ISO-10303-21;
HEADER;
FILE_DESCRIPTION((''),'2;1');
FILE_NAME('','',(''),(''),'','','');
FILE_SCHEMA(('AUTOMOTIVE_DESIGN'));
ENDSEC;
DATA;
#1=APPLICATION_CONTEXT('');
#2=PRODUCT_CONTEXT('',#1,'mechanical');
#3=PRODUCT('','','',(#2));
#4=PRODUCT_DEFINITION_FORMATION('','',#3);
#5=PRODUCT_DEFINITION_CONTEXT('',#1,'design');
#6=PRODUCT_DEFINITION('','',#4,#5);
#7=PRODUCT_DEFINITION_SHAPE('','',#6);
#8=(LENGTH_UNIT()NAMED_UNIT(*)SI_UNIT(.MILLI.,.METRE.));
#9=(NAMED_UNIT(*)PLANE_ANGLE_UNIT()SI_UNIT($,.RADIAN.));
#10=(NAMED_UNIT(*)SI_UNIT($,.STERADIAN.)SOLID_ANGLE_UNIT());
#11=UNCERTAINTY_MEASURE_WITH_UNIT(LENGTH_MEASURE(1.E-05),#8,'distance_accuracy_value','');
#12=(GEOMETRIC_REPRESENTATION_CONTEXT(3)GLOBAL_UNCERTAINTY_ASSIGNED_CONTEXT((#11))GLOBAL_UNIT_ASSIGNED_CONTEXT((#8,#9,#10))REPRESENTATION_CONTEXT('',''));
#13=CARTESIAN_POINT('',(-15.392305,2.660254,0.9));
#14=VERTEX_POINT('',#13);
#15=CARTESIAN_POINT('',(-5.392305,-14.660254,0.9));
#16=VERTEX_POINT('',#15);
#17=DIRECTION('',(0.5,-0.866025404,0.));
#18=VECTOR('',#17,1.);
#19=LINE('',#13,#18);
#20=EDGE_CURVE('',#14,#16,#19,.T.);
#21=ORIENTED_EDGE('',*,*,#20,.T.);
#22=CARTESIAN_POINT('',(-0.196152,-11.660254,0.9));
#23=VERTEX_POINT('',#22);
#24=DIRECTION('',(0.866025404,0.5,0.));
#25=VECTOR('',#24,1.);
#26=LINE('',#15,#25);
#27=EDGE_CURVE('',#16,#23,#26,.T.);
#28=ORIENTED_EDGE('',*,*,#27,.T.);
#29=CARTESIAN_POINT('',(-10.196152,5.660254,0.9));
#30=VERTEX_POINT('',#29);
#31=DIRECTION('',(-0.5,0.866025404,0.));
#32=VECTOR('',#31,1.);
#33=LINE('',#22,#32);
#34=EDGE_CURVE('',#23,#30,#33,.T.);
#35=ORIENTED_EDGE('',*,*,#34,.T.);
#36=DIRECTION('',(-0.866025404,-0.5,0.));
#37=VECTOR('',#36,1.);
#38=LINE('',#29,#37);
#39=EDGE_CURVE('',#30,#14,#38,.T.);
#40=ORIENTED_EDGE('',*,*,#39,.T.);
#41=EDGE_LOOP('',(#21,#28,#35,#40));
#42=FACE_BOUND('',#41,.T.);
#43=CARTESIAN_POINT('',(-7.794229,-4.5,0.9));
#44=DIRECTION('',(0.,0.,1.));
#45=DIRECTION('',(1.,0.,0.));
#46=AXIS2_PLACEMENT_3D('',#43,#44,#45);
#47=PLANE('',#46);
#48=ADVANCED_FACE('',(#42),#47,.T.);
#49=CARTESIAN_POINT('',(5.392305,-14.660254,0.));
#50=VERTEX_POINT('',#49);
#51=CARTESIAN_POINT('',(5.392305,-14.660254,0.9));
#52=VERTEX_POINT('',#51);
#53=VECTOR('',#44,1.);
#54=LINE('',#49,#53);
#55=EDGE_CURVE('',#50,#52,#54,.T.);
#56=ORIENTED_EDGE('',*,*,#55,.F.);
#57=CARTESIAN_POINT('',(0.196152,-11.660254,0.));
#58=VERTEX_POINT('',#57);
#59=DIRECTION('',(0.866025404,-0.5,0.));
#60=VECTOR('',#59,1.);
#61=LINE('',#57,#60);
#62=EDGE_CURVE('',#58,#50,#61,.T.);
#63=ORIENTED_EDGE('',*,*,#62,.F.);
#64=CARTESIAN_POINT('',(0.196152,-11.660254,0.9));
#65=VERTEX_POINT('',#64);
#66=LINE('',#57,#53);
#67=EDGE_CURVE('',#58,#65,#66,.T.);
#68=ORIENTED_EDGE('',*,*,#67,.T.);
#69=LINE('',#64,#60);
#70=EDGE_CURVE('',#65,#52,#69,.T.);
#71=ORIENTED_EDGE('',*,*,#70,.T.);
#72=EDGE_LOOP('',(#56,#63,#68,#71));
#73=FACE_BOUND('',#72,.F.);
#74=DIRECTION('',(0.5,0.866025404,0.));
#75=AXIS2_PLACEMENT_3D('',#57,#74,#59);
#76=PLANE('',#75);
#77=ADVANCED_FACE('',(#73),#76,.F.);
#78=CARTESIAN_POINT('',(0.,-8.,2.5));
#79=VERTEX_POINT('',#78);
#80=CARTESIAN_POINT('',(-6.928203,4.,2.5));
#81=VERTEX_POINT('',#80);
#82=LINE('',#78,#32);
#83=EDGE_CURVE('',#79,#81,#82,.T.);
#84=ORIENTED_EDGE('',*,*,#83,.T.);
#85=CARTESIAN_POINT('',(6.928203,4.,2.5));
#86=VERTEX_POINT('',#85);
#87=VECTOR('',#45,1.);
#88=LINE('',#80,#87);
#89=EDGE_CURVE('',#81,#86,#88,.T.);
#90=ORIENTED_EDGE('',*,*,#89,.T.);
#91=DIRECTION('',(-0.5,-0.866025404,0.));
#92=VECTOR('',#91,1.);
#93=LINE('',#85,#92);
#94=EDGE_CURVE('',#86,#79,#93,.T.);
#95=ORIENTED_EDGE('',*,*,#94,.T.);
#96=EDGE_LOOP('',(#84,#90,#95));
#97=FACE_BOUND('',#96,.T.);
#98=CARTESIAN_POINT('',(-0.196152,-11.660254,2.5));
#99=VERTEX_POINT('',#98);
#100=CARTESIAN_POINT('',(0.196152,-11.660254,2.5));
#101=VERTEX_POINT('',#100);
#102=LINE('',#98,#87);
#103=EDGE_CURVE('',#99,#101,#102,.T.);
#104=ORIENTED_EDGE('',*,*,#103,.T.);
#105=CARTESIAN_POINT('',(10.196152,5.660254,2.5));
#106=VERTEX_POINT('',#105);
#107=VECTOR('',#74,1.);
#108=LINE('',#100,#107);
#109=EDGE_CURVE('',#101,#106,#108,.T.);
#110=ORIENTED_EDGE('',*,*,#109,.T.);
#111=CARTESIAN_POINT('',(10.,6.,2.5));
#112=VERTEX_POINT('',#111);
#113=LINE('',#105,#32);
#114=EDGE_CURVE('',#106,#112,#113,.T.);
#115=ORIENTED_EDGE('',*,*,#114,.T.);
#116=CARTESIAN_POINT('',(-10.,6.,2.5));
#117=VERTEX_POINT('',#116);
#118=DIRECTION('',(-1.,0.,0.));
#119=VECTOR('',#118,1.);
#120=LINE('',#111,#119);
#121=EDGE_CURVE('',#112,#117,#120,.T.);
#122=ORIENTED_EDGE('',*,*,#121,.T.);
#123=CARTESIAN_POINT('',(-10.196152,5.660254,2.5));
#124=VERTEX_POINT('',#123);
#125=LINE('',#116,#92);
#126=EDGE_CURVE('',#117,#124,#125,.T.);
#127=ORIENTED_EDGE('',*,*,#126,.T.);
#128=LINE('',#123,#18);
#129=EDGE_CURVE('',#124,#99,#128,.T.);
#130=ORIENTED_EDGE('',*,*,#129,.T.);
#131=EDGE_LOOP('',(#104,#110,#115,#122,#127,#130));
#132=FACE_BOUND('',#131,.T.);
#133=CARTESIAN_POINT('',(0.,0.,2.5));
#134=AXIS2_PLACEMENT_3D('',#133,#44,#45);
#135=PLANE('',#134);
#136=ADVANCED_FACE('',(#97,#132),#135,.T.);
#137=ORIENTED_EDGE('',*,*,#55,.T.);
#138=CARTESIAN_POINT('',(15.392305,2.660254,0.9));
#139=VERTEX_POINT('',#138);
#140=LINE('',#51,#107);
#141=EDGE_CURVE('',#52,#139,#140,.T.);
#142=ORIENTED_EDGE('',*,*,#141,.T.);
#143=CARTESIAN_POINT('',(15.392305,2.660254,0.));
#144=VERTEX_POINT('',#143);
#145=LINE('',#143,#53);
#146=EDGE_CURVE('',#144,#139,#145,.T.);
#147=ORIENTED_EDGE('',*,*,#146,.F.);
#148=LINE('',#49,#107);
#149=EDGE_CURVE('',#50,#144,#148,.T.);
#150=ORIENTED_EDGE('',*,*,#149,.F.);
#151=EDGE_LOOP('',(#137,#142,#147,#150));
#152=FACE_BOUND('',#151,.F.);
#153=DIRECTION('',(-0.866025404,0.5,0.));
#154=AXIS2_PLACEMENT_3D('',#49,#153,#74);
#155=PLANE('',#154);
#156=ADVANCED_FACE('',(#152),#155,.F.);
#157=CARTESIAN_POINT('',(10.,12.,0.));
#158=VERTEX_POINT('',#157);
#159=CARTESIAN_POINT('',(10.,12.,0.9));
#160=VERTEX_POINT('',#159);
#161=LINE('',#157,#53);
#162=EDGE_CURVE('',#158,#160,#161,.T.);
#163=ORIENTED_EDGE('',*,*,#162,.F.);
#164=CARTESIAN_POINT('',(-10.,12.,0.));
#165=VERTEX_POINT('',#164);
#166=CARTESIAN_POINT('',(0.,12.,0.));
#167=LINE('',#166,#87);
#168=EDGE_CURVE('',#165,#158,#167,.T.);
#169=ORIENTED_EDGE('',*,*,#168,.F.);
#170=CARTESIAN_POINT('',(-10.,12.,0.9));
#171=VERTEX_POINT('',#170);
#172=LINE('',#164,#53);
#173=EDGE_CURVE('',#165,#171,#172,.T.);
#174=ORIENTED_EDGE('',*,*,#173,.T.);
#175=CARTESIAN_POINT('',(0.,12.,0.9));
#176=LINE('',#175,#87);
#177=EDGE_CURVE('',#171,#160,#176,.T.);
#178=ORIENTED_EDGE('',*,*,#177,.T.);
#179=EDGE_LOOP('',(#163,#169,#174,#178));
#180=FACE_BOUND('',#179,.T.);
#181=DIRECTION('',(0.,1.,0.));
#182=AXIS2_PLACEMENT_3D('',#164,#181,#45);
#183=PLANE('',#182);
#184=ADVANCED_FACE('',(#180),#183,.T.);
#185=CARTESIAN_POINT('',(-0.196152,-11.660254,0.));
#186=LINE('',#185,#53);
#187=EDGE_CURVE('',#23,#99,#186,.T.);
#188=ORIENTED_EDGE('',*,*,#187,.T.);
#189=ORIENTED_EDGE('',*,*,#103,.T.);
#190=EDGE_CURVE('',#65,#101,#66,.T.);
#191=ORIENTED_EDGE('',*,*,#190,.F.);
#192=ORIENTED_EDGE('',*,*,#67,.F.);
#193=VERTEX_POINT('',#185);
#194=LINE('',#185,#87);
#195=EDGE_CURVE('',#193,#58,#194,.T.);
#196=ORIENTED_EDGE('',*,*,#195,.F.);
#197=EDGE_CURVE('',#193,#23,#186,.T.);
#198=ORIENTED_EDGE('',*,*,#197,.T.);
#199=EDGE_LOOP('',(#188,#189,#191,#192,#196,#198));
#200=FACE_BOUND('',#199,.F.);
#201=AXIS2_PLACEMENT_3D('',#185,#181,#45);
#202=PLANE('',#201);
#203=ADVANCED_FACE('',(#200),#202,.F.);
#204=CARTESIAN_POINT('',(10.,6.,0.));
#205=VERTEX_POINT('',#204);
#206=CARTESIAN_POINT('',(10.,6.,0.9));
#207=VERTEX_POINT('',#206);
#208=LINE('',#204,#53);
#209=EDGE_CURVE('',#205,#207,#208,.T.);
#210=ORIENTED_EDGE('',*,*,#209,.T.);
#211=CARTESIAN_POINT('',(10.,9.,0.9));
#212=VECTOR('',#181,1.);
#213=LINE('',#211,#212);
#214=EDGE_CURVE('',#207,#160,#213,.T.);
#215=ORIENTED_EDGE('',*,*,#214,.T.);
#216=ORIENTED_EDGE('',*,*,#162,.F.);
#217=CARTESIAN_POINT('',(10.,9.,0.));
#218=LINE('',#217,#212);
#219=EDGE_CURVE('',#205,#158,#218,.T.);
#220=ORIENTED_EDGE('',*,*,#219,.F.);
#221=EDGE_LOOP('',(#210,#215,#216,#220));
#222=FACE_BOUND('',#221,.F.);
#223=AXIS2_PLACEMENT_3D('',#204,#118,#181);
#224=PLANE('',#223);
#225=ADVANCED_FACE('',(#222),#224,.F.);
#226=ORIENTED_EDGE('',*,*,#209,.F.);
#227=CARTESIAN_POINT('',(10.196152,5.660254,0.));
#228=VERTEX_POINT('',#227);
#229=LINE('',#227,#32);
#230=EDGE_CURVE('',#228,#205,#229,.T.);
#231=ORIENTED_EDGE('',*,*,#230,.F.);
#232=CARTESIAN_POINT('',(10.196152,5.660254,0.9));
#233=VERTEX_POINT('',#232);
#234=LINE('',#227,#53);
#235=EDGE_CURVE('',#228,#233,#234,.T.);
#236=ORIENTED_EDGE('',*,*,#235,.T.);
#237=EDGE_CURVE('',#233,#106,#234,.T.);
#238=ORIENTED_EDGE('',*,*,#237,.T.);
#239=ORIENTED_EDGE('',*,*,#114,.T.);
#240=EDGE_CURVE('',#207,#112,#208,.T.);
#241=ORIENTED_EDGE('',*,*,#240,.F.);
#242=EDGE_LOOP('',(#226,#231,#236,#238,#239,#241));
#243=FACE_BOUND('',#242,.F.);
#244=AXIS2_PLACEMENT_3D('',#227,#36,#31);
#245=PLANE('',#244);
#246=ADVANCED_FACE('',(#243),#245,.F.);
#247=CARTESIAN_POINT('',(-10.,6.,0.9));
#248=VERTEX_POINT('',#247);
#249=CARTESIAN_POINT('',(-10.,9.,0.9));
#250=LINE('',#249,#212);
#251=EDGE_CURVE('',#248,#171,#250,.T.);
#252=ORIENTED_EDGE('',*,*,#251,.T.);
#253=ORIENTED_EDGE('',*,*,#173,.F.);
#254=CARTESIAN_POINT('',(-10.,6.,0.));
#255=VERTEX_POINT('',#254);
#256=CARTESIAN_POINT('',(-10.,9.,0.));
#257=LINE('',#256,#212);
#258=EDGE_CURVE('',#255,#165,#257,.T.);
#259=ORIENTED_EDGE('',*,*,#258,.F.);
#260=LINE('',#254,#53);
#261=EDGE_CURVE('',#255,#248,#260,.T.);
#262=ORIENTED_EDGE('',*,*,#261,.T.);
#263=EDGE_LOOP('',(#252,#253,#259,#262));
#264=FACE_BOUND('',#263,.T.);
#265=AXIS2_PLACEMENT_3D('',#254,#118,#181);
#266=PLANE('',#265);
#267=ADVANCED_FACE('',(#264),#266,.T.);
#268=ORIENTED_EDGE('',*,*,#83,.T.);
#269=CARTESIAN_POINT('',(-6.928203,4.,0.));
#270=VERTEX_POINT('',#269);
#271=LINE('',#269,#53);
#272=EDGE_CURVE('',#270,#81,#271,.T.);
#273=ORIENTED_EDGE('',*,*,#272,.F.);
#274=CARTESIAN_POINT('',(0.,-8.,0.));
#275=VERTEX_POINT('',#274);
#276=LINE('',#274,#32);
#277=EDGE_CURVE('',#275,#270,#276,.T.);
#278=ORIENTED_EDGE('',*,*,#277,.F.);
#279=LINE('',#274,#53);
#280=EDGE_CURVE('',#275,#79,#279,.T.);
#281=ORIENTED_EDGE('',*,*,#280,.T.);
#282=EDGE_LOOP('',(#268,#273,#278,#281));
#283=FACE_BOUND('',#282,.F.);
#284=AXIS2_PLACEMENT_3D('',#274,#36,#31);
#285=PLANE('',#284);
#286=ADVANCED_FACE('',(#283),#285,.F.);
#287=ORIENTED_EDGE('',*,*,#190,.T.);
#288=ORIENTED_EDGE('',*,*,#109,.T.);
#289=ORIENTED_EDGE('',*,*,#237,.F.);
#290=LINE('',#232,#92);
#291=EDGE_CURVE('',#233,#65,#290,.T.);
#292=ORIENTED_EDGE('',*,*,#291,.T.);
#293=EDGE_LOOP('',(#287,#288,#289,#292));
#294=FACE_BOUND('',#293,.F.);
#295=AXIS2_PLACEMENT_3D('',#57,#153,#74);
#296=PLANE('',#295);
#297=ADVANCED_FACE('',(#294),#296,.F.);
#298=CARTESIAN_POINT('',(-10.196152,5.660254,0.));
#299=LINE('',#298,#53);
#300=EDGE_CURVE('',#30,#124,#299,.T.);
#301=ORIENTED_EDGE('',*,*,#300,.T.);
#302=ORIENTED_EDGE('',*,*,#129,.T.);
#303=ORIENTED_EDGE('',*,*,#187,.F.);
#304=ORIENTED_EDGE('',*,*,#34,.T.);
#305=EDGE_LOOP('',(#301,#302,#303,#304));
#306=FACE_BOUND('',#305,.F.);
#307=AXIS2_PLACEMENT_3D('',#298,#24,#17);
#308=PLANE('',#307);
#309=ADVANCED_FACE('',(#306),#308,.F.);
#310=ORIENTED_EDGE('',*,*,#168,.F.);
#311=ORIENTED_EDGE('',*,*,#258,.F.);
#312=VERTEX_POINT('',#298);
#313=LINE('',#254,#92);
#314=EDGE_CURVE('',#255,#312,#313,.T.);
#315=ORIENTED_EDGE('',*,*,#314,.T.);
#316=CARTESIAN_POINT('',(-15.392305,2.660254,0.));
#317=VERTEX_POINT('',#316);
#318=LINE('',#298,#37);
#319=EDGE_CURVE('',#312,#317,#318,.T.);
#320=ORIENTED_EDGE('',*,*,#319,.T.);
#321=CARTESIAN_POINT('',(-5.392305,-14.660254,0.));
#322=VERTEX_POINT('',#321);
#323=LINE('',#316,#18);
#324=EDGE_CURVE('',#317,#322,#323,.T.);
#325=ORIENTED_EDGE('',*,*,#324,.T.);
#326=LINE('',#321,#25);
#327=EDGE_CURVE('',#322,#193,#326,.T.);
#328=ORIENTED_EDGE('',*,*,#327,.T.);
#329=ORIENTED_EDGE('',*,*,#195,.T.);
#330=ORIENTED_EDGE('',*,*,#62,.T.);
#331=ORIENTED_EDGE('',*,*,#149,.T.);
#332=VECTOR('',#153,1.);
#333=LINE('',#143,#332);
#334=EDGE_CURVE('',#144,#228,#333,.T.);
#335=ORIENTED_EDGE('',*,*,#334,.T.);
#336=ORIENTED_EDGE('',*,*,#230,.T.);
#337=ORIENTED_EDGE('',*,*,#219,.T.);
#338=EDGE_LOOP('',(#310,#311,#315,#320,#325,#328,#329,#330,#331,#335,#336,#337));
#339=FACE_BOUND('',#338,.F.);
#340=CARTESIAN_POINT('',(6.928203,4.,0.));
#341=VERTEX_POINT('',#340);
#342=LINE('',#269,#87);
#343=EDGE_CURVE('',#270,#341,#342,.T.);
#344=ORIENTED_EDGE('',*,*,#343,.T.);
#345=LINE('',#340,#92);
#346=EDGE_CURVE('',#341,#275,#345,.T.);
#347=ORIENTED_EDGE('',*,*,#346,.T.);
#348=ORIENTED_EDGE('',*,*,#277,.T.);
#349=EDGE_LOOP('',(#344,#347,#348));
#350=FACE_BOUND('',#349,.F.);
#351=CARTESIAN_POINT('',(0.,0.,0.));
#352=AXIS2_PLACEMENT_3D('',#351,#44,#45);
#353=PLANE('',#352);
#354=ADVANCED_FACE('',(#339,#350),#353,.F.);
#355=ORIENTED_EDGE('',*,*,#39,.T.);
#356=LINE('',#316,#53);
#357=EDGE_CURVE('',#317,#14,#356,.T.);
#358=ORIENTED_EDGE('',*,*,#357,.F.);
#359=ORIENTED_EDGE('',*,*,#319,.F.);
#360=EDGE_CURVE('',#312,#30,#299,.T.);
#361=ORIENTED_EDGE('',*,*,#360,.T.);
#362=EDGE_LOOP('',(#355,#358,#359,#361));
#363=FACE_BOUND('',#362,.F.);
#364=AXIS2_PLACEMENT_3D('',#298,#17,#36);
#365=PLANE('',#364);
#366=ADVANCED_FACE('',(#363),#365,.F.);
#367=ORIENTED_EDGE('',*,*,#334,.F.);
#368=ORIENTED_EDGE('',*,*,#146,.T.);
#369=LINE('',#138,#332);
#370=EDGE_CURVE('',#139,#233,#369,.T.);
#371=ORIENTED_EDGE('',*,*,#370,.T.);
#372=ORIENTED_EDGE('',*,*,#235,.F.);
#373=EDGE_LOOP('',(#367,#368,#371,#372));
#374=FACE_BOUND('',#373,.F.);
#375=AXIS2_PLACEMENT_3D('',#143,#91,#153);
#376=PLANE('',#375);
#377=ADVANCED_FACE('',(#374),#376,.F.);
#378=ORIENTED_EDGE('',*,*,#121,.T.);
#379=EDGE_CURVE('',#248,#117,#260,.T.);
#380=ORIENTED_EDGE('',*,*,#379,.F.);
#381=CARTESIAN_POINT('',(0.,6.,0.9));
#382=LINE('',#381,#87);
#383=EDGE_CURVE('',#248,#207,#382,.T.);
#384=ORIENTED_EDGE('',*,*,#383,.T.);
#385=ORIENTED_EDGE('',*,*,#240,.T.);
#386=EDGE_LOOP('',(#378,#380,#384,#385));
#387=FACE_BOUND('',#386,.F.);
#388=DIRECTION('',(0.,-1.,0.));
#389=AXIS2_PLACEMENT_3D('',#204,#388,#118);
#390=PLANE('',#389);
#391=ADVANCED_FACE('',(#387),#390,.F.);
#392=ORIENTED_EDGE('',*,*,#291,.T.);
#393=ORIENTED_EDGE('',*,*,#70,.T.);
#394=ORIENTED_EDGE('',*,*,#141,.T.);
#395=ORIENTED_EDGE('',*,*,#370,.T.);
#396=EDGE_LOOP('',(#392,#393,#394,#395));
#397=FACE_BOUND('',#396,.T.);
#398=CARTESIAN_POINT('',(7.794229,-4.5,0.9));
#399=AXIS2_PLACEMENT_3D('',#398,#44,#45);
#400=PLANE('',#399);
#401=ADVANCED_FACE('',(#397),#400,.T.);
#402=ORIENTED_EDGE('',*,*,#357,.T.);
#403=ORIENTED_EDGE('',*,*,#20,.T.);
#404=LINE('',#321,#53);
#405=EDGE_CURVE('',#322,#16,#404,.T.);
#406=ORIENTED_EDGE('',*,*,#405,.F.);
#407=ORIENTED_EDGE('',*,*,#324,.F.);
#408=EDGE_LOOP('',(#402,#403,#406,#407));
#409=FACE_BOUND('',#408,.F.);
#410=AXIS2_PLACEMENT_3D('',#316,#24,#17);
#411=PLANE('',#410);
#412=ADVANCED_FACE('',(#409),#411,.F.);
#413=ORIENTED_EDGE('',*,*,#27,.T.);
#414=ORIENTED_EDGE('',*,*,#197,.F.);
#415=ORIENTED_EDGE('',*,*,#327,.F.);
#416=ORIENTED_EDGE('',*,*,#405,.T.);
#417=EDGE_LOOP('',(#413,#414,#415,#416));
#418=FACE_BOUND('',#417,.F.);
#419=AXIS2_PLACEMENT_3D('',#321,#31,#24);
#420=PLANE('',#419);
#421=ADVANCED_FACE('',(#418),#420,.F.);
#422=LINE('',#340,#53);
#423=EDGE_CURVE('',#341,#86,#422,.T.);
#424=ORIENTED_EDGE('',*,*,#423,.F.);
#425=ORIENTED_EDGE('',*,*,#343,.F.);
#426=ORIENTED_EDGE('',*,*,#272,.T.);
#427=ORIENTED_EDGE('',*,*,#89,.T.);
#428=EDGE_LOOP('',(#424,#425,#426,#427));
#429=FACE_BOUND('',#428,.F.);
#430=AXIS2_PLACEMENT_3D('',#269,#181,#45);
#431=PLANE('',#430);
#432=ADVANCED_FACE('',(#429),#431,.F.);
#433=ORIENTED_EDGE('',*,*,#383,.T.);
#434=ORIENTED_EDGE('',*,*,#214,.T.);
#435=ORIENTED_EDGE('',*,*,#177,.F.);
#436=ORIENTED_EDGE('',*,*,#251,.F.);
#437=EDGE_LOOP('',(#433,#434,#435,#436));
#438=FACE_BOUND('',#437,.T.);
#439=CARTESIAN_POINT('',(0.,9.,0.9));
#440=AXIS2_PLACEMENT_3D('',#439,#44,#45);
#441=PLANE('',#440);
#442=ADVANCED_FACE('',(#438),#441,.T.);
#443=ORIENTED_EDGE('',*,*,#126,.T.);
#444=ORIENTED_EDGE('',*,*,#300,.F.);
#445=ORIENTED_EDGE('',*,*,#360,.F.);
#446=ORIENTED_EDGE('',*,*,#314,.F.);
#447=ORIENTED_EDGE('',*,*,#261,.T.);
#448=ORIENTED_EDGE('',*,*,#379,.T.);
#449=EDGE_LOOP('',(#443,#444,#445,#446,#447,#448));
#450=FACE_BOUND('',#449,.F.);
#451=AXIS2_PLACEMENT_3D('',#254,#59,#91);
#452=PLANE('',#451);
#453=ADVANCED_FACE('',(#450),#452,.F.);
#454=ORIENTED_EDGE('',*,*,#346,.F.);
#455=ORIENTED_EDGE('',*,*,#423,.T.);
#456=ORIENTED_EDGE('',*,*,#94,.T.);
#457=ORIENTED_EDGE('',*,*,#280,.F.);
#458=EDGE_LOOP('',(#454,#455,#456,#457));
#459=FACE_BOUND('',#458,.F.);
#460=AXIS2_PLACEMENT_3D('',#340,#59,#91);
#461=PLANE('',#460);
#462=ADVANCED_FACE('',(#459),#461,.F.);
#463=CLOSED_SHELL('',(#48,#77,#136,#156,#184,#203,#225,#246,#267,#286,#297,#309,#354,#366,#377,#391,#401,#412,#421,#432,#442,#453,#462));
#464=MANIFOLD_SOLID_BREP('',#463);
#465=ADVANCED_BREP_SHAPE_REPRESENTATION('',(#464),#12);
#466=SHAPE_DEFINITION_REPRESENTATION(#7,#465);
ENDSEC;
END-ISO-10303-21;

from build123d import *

# Parameters (mm, degrees)
F1_DEPTH = 0.9
F0_W     = 20
F0_H     = 6
F2_DEPTH = 2.5


with BuildPart() as f1:
    # F0 (on Top) → F1 (new body)
    with BuildSketch(Plane.XY):
        Polygon((-0.1961524227, -11.6602540378), (-10.1961524227, 5.6602540378), (-15.3923048454, 2.6602540378), (-5.3923048454, -14.6602540378), align=None)
    extrude(amount=F1_DEPTH)



with BuildPart() as f1b:
    # F0 (on Top) → F1, piece 2 (new body)
    with BuildSketch(Plane.XY):
        with Locations((0, 9)):
            Rectangle(F0_W, F0_H)
    extrude(amount=F1_DEPTH)


with BuildPart() as f1c:
    # F0 (on Top) → F1, piece 3 (new body)
    with BuildSketch(Plane.XY):
        Polygon((15.3923048454, 2.6602540378), (10.1961524227, 5.6602540378), (0.1961524227, -11.6602540378), (5.3923048454, -14.6602540378), align=None)
    extrude(amount=F1_DEPTH)


with BuildPart() as f1_1:
    add(f1.part)

    add(f1b.part)  # F2 merges F1b

    add(f1c.part)  # F2 merges F1c
    # F0 (on Top) → F2 (join)
    with BuildSketch(Plane.XY):
        Polygon((10, 6), (-10, 6), (-10.1961524227, 5.6602540378), (-0.1961524227, -11.6602540378), (0.1961524227, -11.6602540378), (10.1961524227, 5.6602540378), align=None)
        Polygon((6.9282032303, 4), (0, -8), (-6.9282032303, 4), align=None, mode=Mode.SUBTRACT)
    extrude(amount=F2_DEPTH)


solid = f1_1.part
